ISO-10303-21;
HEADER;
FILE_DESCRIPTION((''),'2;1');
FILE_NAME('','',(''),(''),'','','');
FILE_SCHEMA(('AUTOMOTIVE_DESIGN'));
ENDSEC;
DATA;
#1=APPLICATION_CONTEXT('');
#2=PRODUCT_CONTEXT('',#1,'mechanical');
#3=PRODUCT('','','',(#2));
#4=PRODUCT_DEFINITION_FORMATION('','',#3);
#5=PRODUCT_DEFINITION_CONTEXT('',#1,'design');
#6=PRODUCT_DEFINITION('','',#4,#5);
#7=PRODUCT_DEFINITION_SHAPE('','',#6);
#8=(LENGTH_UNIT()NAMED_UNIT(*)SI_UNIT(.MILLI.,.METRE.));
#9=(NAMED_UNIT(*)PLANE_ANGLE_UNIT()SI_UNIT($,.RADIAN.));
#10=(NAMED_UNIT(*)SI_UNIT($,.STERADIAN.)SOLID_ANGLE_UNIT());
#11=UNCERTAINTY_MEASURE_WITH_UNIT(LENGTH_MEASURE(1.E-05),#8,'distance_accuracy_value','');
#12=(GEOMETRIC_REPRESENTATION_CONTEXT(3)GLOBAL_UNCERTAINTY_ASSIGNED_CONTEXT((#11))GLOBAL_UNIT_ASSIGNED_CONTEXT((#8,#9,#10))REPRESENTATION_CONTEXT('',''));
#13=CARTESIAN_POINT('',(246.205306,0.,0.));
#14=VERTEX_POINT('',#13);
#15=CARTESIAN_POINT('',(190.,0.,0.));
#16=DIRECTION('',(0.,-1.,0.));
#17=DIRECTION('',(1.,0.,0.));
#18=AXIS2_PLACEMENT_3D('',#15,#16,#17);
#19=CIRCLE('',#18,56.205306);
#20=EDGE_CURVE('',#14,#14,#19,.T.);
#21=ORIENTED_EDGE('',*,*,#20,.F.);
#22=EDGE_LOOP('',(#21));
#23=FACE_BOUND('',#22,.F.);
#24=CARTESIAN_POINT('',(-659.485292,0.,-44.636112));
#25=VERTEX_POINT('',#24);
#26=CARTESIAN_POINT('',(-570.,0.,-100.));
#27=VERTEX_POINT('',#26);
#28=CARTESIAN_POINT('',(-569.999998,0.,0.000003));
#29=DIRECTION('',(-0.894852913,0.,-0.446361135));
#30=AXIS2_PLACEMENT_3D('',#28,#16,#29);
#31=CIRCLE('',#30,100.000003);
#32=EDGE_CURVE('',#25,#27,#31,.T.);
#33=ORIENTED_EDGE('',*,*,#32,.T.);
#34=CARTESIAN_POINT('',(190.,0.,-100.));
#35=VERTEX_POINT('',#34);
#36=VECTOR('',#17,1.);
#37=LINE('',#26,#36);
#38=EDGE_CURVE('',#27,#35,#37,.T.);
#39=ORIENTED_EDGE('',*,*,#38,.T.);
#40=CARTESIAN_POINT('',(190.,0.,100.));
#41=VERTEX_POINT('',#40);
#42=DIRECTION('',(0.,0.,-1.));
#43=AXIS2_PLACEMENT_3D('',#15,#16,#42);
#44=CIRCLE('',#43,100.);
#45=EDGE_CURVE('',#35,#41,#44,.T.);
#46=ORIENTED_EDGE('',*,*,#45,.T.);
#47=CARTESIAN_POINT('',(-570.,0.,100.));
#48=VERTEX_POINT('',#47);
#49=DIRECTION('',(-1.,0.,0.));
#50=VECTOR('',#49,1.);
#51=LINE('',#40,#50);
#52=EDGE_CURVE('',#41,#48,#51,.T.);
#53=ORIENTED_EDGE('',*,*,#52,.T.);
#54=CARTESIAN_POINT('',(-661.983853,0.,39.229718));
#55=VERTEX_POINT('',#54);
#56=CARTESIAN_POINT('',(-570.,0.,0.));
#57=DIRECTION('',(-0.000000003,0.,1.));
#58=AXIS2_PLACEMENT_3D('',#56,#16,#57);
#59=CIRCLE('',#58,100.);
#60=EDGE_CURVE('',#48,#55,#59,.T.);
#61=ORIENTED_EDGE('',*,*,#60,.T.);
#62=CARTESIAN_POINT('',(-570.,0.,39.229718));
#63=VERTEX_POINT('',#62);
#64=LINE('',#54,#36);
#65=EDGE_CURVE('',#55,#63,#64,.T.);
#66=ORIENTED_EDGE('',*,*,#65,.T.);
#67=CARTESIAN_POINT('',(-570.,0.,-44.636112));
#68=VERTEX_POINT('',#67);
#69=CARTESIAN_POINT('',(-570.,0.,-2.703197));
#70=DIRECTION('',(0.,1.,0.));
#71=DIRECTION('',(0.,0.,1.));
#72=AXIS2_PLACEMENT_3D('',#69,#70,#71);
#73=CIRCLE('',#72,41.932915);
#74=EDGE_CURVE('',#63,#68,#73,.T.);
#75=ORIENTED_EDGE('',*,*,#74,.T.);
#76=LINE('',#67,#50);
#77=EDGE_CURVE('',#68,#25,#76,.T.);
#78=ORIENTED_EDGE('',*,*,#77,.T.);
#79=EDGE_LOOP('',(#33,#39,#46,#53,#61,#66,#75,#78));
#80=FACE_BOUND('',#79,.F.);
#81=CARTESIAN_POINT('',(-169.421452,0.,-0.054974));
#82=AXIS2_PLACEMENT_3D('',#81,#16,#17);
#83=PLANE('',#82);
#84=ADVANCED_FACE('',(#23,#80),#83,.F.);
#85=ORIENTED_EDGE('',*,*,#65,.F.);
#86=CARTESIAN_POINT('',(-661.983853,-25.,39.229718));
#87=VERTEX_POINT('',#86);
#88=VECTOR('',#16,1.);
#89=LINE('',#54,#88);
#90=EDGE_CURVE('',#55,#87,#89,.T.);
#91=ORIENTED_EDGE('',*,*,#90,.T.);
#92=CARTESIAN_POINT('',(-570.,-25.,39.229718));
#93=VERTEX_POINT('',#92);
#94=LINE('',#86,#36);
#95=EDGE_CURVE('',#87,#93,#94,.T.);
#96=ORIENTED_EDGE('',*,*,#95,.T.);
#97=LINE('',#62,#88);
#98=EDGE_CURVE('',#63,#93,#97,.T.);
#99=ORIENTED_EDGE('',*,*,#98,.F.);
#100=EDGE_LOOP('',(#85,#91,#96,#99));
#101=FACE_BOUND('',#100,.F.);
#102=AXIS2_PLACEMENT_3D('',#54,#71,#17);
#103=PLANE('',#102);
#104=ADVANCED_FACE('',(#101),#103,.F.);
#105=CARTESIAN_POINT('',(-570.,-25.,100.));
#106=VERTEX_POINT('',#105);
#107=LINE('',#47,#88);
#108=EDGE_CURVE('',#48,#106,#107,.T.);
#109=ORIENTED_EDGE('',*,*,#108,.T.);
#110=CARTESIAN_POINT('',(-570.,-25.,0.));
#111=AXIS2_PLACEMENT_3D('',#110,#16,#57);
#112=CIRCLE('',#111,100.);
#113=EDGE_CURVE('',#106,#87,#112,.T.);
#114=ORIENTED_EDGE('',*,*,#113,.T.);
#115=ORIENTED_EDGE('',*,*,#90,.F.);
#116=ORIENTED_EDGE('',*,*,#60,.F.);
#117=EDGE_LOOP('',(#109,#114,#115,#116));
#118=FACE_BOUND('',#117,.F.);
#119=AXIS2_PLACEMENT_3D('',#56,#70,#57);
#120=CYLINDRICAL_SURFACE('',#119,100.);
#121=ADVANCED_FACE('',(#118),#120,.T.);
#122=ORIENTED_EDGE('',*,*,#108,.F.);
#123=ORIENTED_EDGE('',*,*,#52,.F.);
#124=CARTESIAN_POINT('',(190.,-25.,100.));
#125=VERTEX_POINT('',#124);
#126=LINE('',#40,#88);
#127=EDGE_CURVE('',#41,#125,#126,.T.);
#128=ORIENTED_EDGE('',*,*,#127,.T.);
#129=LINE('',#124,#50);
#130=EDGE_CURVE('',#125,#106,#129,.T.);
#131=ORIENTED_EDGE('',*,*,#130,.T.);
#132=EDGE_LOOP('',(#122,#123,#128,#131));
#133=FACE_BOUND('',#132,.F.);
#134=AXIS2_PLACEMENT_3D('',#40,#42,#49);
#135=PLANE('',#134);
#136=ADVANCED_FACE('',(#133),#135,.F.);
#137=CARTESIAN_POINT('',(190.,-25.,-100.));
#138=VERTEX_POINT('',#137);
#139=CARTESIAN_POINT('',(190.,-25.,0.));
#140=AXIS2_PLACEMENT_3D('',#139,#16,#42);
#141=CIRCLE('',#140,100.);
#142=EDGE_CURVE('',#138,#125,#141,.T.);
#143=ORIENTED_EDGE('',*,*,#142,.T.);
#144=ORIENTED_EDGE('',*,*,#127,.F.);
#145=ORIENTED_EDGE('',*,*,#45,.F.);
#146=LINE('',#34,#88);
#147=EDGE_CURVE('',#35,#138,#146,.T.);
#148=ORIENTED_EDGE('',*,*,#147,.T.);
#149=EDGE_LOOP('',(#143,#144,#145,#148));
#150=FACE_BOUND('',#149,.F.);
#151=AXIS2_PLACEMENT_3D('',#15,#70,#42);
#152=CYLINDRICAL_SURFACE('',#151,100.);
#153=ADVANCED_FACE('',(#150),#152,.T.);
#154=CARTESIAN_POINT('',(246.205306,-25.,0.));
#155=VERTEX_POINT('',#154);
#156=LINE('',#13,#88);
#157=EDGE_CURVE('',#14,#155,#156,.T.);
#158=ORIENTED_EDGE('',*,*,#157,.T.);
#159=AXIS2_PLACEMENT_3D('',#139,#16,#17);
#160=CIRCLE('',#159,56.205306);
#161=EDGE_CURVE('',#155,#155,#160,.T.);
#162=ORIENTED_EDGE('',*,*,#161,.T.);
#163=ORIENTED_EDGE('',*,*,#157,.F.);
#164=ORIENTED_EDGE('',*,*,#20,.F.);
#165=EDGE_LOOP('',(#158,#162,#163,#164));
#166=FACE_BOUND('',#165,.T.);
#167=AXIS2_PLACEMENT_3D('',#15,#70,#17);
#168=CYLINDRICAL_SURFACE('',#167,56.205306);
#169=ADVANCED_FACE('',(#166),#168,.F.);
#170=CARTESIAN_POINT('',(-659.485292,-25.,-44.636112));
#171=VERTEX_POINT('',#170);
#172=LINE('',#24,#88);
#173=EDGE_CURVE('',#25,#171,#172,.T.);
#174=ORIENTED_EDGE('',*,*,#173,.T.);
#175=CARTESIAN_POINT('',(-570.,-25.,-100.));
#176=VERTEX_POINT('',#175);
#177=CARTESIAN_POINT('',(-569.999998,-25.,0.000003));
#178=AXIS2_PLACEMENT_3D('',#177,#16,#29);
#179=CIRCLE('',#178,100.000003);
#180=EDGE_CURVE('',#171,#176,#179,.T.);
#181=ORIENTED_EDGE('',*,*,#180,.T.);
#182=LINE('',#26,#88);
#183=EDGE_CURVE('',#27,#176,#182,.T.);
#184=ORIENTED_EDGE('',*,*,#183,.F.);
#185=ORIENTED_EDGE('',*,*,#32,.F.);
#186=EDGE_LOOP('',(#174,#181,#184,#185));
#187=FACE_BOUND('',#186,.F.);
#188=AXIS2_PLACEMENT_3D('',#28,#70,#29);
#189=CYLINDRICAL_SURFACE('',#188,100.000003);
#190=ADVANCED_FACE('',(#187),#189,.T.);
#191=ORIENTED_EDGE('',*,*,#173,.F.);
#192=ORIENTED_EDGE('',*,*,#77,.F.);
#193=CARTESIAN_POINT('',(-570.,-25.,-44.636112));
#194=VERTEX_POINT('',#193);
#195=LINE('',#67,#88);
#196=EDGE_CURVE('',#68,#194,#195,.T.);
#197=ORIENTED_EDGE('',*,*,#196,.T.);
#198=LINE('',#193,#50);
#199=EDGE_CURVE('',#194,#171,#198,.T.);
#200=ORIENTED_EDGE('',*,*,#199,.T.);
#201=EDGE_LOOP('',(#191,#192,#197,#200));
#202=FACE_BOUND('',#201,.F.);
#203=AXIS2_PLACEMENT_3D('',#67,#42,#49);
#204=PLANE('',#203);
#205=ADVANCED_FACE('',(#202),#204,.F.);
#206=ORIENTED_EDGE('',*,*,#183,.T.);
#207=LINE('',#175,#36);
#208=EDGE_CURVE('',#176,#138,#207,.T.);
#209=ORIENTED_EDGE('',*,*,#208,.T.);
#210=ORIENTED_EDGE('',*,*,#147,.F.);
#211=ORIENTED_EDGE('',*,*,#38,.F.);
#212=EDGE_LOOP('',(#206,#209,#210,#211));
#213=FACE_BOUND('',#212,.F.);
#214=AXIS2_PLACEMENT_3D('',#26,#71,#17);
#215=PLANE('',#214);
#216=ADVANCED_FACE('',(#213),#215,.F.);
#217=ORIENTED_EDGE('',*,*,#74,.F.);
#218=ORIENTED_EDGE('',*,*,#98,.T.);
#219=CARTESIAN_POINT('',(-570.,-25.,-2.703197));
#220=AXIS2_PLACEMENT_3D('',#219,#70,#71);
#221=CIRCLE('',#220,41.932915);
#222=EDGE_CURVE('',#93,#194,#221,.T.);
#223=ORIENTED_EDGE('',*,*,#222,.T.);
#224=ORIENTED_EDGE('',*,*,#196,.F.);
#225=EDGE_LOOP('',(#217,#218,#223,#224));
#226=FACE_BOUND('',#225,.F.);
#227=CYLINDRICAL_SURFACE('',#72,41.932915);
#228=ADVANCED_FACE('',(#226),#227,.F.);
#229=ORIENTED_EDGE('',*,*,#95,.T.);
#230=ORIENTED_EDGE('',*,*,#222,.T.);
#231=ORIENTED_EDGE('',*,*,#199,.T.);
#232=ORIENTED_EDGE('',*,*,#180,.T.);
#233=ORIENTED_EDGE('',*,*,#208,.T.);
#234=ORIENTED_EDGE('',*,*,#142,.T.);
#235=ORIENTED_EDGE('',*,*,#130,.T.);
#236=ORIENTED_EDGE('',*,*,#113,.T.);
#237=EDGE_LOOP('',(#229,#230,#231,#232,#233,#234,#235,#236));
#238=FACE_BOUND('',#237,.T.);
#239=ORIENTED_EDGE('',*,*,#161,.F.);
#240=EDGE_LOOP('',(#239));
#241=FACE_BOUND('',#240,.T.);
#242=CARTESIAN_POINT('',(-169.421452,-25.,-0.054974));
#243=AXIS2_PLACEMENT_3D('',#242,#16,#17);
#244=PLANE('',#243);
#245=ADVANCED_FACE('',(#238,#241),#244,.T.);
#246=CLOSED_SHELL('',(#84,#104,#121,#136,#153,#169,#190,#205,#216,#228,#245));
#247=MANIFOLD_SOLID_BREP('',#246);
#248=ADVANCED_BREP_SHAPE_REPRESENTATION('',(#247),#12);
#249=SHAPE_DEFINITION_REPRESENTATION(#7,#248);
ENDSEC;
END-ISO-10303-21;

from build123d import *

# Parameters (mm, degrees)
F0_R     = 56.205306
F1_DEPTH = 25


with BuildPart() as f1:
    # F0 (on Front) → F1 (new body)
    with BuildSketch(Plane.XZ):
        with BuildLine():
            Line((190, 100), (-190, 100))
            Line((-190, 100), (-570, 100))
            Line((-570, 100), (-570, 39.229718))
            ThreePointArc((-570, 39.229718), (-528.067085, -2.703197), (-570, -44.636112))
            Line((-570, -44.636112), (-570, -100))
            Line((-570, -100), (-190, -100))
            Line((-190, -100), (190, -100))
            ThreePointArc((190, -100), (290, 0), (190, 100))
        make_face()
        with Locations((190, 0)):
            Circle(F0_R, mode=Mode.SUBTRACT)
        with BuildLine():
            Line((-570, 39.229718), (-570, 100))
            ThreePointArc((-570, 100), (-625.122719, 83.435519), (-661.983853, 39.229718))
            Line((-661.983853, 39.229718), (-570, 39.229718))
        make_face()
        with BuildLine():
            Line((-570, -100), (-570, -44.636112))
            Line((-570, -44.636112), (-659.485292, -44.636112))
            ThreePointArc((-659.485292, -44.636112), (-622.613633, -85.040023), (-570, -100))
        make_face()
    extrude(amount=F1_DEPTH)


solid = f1.part
